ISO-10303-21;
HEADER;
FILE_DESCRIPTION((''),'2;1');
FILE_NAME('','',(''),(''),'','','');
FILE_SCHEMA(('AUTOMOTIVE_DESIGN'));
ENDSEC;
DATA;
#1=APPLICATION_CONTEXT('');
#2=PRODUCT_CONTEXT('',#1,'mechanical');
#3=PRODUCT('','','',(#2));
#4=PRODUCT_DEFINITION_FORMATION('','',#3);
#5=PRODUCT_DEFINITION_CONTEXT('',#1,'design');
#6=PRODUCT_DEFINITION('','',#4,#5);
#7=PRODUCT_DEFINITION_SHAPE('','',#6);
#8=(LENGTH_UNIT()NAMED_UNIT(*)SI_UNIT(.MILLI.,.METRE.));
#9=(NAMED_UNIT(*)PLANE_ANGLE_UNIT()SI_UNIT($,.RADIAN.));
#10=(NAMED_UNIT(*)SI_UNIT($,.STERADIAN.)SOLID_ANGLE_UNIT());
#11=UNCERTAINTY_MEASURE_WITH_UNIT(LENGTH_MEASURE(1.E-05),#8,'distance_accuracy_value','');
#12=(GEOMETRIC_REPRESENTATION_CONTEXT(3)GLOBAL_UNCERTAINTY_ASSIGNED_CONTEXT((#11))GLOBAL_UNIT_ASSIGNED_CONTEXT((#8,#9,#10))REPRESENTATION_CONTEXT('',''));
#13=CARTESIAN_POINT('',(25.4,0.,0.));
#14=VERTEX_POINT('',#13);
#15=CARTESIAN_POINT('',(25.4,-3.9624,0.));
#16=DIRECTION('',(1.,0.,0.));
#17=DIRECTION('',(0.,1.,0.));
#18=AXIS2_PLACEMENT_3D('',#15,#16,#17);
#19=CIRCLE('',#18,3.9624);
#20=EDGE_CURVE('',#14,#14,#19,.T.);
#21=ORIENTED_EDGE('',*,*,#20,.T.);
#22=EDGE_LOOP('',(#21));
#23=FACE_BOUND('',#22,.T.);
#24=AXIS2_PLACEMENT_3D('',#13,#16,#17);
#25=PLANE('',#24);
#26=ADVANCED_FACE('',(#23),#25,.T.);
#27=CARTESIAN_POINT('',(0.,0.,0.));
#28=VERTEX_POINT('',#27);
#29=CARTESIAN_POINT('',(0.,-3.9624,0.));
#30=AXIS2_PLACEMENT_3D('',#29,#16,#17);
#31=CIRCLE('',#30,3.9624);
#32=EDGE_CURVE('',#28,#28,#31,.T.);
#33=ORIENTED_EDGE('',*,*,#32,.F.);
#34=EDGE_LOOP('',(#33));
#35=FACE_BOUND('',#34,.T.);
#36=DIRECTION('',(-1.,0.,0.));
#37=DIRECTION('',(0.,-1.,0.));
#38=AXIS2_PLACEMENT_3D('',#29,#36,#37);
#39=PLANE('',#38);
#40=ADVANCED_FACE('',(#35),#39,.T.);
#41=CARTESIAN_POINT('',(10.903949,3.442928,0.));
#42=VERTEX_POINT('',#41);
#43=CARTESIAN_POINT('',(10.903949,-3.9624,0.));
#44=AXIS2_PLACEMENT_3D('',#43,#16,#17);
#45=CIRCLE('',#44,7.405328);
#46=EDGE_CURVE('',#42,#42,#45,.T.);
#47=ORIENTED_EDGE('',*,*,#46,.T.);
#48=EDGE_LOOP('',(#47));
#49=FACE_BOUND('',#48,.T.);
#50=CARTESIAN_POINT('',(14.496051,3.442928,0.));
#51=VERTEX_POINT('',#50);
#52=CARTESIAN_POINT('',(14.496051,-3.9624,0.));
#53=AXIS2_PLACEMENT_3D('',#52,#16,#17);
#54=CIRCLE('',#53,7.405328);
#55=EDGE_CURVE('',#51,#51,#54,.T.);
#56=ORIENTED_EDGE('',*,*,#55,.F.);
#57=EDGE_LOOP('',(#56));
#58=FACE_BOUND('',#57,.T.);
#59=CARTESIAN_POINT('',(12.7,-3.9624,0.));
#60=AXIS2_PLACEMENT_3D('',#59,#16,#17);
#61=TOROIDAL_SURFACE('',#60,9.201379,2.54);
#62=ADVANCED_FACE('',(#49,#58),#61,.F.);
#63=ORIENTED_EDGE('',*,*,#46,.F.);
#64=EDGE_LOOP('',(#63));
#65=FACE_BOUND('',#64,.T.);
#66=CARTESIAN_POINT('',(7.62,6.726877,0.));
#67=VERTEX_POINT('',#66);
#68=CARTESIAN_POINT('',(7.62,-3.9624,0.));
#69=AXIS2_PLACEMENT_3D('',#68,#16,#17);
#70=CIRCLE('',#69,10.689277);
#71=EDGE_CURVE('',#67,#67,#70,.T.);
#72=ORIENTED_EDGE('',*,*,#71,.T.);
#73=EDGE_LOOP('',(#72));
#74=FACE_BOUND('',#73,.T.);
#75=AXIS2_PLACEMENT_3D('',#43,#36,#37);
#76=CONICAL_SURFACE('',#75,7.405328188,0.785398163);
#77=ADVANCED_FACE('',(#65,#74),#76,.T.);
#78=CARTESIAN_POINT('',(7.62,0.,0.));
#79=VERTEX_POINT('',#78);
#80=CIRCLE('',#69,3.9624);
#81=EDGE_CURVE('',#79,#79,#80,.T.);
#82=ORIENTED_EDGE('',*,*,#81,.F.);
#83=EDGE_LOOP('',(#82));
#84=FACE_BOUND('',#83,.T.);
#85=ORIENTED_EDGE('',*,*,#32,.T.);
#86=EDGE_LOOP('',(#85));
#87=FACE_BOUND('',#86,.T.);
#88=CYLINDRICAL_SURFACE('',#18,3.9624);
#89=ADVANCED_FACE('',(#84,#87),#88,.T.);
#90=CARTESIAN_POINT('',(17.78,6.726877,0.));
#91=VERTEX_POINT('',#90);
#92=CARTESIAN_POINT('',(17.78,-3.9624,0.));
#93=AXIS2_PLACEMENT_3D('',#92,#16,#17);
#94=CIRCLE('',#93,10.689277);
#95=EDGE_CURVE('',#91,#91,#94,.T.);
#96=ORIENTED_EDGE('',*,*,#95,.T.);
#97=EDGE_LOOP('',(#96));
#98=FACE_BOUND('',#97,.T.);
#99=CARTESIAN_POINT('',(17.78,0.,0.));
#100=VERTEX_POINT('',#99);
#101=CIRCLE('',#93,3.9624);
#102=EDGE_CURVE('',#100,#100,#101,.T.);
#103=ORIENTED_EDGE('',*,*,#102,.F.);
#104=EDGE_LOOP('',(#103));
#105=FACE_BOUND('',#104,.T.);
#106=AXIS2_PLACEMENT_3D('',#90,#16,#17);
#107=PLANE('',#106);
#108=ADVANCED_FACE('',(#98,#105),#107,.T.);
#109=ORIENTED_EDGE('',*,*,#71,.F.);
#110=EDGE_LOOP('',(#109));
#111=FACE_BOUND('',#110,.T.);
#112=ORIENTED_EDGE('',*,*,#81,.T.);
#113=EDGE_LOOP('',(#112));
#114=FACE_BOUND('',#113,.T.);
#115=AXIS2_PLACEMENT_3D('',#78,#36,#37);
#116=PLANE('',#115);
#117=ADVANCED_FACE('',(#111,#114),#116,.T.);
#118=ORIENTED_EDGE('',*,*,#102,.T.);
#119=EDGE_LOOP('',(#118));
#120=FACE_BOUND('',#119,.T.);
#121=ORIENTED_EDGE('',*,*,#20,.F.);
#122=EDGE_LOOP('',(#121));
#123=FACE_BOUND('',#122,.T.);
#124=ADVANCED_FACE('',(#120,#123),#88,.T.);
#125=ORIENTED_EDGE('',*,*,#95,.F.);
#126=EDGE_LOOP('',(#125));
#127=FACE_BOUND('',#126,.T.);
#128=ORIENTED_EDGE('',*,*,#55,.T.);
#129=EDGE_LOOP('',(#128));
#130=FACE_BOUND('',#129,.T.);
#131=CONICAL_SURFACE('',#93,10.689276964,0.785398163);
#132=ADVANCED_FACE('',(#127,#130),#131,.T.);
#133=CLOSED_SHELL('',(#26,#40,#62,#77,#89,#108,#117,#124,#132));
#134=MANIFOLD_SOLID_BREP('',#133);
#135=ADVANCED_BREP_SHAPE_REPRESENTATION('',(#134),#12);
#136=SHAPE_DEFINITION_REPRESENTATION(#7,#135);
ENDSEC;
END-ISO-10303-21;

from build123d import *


with BuildPart() as part:
    # Sketch1 → Revolve1 (revolve)
    with BuildSketch(Plane.XY):
        with BuildLine():
            Line((0, 0), (7.62, 0))
            Line((7.62, 0), (7.62, 6.726876964))
            Line((7.62, 6.726876964), (10.903948776, 3.442928188))
            ThreePointArc((10.903948776, 3.442928188), (12.7, 2.698979412), (14.496051224, 3.442928188))
            Line((14.496051224, 3.442928188), (17.78, 6.726876964))
            Line((17.78, 6.726876964), (17.78, 0))
            Line((17.78, 0), (25.4, 0))
            Line((25.4, 0), (25.4, -3.9624))
            Line((25.4, -3.9624), (0, -3.9624))
            Line((0, -3.9624), (0, 0))
        make_face()
    revolve(axis=Axis((25.4, -3.9624, 0), (-1, 0, 0)))


solid = part.part
